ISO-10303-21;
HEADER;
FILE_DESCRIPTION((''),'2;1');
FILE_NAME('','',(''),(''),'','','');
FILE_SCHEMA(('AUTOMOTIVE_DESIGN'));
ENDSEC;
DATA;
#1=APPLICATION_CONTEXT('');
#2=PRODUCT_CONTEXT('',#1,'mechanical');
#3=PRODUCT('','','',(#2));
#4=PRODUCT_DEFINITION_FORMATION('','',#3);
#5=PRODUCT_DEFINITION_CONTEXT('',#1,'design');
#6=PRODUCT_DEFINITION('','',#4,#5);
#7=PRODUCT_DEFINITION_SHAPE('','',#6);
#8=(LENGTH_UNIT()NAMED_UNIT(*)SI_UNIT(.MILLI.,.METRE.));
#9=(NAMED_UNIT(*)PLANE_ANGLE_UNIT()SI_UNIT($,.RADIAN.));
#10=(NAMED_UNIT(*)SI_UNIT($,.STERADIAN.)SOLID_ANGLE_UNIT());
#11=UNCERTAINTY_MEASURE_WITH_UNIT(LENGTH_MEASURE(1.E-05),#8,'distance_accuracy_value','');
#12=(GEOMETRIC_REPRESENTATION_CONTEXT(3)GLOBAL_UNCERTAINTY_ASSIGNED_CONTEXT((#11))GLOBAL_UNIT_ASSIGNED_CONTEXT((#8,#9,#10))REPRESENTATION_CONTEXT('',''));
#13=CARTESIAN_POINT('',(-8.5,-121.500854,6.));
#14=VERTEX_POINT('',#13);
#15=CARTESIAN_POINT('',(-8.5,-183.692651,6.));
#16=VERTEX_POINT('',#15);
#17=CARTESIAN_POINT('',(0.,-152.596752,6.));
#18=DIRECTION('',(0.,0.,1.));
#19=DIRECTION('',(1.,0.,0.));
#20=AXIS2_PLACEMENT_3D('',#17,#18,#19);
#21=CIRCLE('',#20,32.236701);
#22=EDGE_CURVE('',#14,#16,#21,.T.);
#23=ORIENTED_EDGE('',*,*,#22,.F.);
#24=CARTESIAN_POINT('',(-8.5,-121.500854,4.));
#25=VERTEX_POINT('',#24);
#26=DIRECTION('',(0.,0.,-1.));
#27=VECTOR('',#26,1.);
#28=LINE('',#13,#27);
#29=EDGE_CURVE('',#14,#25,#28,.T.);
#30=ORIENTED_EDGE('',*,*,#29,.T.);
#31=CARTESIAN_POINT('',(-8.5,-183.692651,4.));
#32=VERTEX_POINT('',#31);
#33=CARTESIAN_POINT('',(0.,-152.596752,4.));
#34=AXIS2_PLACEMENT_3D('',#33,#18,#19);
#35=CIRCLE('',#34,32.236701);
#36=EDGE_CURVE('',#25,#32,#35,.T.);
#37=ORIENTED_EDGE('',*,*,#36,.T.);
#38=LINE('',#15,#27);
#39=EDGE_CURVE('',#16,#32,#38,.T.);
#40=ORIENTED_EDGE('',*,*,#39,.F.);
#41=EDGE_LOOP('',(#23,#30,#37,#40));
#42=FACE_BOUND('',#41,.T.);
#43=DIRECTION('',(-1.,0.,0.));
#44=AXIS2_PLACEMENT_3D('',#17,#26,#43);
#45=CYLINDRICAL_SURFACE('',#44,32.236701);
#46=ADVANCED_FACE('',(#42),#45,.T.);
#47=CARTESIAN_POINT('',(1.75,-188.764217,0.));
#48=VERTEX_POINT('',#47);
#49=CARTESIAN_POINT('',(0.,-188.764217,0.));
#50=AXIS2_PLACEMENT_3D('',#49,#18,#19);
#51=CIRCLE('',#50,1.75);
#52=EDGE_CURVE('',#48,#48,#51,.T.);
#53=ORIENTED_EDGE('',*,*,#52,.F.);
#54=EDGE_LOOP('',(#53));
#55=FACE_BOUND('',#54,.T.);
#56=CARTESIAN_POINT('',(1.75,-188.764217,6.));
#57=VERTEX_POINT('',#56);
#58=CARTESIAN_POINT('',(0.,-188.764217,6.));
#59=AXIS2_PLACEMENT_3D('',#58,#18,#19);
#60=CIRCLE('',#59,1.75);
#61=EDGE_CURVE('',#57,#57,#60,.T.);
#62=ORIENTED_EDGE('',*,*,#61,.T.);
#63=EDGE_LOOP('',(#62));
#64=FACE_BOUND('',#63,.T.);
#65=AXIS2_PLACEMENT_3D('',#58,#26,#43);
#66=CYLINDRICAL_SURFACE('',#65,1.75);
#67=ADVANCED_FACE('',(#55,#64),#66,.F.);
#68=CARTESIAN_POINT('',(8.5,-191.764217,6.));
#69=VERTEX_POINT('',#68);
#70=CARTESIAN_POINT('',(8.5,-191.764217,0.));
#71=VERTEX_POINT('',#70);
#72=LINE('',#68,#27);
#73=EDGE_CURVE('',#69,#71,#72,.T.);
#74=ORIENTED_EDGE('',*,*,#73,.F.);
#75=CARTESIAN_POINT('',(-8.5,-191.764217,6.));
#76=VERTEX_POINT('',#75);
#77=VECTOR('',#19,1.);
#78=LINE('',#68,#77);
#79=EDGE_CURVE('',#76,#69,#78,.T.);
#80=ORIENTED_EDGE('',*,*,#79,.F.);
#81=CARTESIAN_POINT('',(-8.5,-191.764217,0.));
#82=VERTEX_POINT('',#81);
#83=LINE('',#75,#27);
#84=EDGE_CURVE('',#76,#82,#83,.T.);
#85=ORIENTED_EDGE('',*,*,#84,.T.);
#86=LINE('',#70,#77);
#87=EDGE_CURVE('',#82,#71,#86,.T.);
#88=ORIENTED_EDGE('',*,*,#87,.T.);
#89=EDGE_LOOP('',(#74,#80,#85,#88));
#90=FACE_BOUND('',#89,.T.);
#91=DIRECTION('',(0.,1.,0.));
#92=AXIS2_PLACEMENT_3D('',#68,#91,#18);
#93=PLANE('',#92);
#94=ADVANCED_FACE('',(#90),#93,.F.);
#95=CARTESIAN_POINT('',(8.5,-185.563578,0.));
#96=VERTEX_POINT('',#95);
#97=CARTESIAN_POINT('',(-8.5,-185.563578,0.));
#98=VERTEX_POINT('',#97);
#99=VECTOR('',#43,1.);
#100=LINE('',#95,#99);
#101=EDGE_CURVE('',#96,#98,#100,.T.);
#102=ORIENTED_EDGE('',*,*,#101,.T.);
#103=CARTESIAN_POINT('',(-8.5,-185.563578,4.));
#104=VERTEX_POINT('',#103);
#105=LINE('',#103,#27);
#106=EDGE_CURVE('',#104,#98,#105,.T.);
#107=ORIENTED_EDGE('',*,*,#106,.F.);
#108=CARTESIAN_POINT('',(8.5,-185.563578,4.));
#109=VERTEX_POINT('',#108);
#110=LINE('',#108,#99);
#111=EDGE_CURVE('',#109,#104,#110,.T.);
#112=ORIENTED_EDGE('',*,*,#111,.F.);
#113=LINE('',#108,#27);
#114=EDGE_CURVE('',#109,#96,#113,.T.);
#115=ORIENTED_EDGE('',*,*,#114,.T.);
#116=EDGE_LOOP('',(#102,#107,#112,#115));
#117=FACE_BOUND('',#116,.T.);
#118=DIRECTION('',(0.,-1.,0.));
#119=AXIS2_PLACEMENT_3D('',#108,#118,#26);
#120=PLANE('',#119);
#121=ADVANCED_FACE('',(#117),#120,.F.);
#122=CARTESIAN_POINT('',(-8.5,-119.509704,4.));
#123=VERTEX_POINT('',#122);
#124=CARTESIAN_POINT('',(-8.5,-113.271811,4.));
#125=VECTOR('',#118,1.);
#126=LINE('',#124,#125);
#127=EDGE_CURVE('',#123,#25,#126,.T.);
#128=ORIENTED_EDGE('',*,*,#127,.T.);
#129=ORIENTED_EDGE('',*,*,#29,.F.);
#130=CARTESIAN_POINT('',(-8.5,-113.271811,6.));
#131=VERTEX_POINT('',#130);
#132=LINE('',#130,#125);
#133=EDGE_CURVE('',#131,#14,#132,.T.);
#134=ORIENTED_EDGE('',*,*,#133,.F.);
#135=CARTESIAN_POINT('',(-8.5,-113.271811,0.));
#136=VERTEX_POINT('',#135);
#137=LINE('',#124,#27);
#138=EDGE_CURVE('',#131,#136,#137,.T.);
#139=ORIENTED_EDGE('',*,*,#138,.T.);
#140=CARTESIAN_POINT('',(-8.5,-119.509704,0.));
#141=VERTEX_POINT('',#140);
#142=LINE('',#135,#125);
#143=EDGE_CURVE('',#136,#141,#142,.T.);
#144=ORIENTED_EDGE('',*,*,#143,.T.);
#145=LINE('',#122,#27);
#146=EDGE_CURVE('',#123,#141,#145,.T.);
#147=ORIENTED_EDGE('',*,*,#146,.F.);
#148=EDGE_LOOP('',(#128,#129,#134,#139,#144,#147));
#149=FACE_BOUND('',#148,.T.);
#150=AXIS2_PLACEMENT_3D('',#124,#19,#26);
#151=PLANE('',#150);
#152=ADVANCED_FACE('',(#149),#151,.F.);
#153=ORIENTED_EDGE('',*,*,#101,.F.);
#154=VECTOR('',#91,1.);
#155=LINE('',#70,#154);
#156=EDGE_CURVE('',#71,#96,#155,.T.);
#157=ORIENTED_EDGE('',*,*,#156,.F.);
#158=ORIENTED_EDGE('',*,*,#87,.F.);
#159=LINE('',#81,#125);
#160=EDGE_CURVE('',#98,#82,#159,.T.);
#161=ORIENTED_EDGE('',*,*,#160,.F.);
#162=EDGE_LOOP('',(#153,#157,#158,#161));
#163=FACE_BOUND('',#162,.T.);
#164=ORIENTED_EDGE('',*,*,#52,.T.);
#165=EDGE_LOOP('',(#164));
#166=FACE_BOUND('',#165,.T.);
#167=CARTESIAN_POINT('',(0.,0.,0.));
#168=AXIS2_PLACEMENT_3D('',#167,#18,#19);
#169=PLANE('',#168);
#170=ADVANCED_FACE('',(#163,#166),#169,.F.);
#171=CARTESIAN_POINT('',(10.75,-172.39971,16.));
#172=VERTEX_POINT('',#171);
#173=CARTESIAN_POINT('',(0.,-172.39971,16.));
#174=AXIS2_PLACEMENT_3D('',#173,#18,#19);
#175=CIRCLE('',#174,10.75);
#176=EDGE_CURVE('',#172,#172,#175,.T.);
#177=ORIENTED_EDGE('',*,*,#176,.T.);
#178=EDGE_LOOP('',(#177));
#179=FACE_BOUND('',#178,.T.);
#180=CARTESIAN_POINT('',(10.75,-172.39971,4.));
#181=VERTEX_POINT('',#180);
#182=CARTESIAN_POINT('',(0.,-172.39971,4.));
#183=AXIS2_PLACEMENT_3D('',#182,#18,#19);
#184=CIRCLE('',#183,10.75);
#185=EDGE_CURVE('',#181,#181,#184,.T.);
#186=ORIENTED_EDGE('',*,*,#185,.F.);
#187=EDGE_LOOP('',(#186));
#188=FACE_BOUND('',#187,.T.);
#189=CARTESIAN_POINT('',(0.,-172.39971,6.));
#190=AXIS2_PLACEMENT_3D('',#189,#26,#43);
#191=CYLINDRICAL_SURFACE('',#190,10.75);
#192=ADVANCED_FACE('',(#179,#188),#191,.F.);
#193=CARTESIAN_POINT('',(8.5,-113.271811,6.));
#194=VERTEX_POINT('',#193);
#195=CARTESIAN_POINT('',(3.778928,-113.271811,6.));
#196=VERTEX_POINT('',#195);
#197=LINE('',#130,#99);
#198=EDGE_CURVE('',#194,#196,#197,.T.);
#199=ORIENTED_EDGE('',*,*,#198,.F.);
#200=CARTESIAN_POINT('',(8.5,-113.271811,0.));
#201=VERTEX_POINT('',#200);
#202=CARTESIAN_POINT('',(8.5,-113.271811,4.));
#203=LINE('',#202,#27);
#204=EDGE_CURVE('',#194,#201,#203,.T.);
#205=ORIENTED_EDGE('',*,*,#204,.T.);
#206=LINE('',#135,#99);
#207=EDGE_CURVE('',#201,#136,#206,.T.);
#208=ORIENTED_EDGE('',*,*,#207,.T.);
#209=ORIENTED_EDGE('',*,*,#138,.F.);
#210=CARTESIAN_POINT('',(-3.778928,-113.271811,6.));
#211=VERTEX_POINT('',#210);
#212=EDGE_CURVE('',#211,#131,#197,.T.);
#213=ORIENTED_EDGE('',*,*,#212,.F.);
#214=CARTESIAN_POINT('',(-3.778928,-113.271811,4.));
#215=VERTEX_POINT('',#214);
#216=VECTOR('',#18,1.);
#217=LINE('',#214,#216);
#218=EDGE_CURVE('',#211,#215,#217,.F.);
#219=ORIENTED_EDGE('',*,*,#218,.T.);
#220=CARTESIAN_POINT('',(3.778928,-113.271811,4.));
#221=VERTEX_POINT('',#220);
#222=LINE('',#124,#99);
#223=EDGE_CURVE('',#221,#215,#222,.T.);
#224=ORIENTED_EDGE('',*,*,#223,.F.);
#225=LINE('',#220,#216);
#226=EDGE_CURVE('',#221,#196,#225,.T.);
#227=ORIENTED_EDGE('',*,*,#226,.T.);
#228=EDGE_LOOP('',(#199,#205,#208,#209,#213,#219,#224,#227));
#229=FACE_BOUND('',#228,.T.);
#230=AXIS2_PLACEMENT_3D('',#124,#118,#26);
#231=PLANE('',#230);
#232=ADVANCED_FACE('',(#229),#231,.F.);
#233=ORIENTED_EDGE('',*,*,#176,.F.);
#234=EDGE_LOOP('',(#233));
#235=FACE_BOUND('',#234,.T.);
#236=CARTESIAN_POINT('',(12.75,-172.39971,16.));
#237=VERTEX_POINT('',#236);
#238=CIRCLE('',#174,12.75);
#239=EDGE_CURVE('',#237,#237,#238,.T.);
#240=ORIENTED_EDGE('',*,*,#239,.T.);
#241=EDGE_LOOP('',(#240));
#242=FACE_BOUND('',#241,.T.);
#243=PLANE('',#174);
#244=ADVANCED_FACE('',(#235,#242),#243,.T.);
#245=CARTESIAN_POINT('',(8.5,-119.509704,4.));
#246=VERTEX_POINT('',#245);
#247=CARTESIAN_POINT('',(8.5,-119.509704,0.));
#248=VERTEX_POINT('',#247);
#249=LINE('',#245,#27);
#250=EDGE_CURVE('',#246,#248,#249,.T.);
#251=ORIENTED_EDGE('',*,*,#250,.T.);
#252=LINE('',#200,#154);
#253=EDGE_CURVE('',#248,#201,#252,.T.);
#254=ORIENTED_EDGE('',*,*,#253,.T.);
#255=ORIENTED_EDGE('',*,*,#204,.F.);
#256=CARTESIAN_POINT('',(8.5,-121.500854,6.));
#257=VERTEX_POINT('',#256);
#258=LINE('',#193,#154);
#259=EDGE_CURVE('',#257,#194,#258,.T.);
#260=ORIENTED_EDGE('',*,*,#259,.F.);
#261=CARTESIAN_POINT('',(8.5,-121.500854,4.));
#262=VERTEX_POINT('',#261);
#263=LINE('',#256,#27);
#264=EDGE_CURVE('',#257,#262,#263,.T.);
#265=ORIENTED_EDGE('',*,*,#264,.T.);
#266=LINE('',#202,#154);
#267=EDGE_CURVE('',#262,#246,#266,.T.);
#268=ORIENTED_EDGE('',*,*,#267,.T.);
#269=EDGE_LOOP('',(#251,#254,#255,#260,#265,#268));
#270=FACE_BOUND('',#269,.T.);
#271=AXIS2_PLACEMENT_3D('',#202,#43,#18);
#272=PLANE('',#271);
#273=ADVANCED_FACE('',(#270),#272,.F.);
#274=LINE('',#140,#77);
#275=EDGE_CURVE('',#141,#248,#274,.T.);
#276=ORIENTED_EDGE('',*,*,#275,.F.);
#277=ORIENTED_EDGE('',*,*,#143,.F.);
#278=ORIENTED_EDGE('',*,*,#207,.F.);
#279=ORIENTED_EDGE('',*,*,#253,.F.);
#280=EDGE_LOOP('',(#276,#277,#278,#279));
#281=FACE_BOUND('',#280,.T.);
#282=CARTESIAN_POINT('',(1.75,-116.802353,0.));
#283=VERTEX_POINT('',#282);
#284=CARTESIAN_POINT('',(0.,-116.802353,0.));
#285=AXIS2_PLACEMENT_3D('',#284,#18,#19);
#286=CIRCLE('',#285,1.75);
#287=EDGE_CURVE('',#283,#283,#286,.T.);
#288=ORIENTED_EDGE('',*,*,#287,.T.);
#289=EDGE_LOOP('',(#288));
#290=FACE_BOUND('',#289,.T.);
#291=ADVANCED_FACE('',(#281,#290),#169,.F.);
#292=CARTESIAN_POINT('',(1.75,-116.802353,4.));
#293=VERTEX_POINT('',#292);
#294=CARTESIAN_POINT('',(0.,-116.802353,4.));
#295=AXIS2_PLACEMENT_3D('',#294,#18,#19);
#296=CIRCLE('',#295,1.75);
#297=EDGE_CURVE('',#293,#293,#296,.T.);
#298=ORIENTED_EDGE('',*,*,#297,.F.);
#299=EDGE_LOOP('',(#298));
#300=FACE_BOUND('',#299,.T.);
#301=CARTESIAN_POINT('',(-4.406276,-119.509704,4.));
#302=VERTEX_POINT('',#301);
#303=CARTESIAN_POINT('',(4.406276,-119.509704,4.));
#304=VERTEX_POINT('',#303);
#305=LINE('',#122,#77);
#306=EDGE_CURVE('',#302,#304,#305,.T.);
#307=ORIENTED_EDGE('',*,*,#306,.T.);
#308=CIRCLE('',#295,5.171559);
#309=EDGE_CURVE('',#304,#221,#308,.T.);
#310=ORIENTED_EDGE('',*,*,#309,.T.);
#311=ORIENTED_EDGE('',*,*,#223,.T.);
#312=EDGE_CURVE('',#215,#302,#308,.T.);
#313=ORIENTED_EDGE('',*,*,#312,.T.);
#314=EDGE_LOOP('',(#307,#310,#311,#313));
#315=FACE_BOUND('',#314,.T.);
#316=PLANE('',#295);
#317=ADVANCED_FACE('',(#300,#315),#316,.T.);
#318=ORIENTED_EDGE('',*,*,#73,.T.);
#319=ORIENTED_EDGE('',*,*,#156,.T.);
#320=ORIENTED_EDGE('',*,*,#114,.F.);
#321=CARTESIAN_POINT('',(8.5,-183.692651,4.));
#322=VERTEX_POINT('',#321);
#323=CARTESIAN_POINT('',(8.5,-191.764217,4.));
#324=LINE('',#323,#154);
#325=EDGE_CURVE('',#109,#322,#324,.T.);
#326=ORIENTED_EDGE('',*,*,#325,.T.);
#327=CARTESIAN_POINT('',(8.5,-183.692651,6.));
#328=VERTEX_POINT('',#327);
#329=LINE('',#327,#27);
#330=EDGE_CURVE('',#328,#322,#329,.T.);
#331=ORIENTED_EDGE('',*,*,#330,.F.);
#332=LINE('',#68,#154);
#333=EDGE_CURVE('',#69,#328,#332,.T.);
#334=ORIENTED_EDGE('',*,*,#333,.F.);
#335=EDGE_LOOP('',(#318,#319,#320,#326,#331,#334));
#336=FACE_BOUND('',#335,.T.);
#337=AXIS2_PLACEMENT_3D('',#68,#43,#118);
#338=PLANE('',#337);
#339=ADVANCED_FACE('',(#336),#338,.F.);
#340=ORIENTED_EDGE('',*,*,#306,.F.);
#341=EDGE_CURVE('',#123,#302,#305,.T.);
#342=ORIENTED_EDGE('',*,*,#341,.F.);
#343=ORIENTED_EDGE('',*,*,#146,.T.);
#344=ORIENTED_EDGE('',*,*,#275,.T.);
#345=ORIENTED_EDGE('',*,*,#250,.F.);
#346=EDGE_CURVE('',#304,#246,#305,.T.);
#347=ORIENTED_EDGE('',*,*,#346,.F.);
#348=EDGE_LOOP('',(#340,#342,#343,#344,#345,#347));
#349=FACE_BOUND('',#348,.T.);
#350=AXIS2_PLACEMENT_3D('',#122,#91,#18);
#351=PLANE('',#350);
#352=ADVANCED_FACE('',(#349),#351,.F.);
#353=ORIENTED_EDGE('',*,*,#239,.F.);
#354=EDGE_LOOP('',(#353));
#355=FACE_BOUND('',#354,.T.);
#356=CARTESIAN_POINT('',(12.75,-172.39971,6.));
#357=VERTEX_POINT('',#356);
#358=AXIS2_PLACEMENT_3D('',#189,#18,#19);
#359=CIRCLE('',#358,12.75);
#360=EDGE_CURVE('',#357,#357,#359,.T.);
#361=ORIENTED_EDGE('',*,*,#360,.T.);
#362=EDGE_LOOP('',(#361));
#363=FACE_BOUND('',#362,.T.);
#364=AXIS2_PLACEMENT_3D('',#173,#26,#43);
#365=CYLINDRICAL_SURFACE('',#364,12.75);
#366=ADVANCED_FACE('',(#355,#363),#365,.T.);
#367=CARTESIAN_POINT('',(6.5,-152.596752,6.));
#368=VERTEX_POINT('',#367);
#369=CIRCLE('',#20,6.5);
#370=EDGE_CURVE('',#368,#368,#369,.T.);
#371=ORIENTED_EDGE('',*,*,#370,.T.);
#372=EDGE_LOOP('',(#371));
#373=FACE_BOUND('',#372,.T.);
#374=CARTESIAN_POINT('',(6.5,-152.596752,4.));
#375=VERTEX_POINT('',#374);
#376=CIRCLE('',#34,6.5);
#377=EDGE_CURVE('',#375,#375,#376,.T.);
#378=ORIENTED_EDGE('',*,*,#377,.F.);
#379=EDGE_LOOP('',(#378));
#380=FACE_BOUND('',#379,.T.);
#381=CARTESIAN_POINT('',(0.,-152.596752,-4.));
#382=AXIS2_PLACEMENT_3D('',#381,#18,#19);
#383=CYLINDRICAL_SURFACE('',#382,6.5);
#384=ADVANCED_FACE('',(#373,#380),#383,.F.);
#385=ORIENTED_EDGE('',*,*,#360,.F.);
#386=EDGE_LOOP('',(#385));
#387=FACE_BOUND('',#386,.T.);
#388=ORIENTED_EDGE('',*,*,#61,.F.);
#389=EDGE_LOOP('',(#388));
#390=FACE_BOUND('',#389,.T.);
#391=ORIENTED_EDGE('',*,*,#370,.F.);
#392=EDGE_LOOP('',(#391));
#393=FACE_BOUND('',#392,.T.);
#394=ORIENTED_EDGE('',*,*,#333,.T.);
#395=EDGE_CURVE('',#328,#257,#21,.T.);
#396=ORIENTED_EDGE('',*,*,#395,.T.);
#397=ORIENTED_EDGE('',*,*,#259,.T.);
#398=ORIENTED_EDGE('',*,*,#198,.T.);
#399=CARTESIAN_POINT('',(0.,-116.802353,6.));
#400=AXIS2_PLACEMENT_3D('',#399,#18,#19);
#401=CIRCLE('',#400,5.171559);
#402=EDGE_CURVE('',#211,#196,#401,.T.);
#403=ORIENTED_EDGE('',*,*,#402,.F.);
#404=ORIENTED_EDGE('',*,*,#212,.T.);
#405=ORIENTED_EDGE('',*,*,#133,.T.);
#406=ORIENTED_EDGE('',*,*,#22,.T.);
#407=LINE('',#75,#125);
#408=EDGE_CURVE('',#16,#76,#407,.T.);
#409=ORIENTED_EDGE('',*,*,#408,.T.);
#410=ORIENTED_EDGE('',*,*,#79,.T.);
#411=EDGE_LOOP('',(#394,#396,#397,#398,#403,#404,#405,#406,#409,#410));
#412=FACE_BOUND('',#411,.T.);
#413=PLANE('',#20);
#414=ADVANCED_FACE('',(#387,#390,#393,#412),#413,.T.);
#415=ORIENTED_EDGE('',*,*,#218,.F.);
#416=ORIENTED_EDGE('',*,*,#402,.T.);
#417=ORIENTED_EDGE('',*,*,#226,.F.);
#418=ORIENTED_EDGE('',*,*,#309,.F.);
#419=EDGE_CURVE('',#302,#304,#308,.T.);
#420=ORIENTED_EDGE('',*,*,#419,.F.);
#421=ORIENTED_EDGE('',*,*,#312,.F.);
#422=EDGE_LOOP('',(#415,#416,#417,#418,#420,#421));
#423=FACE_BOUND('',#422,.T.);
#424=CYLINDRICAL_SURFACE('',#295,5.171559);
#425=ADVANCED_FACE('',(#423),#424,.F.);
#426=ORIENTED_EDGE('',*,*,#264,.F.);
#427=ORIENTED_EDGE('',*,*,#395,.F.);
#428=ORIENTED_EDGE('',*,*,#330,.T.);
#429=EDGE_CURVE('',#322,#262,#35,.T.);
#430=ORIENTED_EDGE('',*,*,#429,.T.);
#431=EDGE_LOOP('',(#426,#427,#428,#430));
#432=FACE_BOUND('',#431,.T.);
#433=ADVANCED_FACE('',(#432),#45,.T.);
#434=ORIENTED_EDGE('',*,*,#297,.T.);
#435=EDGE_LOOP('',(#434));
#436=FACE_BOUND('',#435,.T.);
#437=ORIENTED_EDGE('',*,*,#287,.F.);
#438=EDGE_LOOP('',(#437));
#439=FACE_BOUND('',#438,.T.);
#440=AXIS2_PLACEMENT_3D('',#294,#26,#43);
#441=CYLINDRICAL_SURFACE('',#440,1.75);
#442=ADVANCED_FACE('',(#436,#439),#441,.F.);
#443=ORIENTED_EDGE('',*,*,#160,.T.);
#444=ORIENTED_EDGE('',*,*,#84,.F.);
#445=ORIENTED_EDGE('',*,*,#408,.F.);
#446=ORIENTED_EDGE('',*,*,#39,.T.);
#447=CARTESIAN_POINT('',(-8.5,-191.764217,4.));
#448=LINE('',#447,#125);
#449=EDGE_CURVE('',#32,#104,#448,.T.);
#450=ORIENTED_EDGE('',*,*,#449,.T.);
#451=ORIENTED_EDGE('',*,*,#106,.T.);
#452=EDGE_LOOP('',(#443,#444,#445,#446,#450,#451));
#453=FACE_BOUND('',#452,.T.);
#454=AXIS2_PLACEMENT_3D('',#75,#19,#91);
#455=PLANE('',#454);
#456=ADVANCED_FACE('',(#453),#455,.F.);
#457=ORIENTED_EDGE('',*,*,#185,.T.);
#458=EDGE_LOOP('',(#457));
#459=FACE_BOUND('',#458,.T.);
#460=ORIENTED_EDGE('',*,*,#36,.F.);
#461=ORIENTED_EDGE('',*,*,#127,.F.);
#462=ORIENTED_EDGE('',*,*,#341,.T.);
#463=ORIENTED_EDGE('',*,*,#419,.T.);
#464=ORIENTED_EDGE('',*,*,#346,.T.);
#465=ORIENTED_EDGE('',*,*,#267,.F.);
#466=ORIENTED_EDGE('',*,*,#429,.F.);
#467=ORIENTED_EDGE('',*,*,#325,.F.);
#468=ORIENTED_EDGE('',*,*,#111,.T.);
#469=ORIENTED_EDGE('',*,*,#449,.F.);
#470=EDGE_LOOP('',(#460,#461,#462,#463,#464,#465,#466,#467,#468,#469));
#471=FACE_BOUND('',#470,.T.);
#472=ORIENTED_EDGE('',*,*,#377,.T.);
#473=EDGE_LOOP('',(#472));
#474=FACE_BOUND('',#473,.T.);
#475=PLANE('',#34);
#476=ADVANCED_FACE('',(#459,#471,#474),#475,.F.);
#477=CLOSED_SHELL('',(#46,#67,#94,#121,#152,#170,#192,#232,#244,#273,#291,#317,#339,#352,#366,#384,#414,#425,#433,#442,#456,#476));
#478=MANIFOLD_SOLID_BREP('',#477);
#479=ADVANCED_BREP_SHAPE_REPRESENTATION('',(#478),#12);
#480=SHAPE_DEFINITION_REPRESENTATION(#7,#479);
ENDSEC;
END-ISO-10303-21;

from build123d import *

# Parameters (mm, degrees)
SKETCH_1_W          = 17
SKETCH_1_H          = 6.237893195
SKETCH_1_R          = 1.75
EXTRUDE_1_DEPTH     = 4
SKETCH_1_H_2        = 6.200638702
EXTRUDE_1_2_DEPTH   = 4
SKETCH_3_R          = 10.75
SKETCH_3_R_2        = 1.75
EXTRUDE_3_DEPTH     = 2
SKETCH_4_R          = 6.5
CUT_EXTRUDE_1_DEPTH = 10
SKETCH_5_R          = 12.75
SKETCH_5_R_2        = 10.75
EXTRUDE_1_3_DEPTH   = 10
SKETCH_6_R          = 5.171558732
CUT_EXTRUDE_2_DEPTH = 2


with BuildPart() as part:
    # 草图1 → Extrude 1 (new body)
    with BuildSketch(Plane.XY):
        with Locations((0, -116.390757476)):
            Rectangle(SKETCH_1_W, SKETCH_1_H)
        with Locations((0, -116.802352716)):
            Circle(SKETCH_1_R, mode=Mode.SUBTRACT)
    extrude(amount=EXTRUDE_1_DEPTH)



with BuildPart() as body_2:
    # 草图1 → Extrude 1 2 (new body)
    with BuildSketch(Plane.XY):
        with Locations((0, -188.663897323)):
            Rectangle(SKETCH_1_W, SKETCH_1_H_2)
        with Locations((0, -188.764216674)):
            Circle(SKETCH_1_R, mode=Mode.SUBTRACT)
    extrude(amount=EXTRUDE_1_2_DEPTH)


with BuildPart() as part_1:
    add(part.part)

    add(body_2.part)  # 凸台-拉伸3 merges body 2
    # 草图3 → 凸台-拉伸3 (add)
    with BuildSketch(Plane.XY.offset(4)):
        with BuildLine():
            Line((-8.5, -113.271810879), (8.5, -113.271810879))
            Line((8.5, -113.271810879), (8.5, -121.50085412))
            ThreePointArc((8.5, -121.50085412), (32.236701024, -152.596752449), (8.5, -183.692650779))
            Line((8.5, -183.692650779), (8.5, -191.764216674))
            Line((8.5, -191.764216674), (-8.5, -191.764216674))
            Line((-8.5, -191.764216674), (-8.5, -183.692650779))
            ThreePointArc((-8.5, -183.692650779), (-32.236701024, -152.596752449), (-8.5, -121.50085412))
            Line((-8.5, -121.50085412), (-8.5, -113.271810879))
        make_face()
        with Locations((0, -172.399709936)):
            Circle(SKETCH_3_R, mode=Mode.SUBTRACT)
        with Locations((0, -188.764216674)):
            Circle(SKETCH_3_R_2, mode=Mode.SUBTRACT)
        with Locations((0, -116.802352716)):
            Circle(SKETCH_3_R_2, mode=Mode.SUBTRACT)
    extrude(amount=EXTRUDE_3_DEPTH)

    # 草图4 → 切除-拉伸1 (cut)
    with BuildSketch(Plane.XY.offset(6)):
        with Locations((0, -152.596752449)):
            Circle(SKETCH_4_R)
    extrude(amount=-CUT_EXTRUDE_1_DEPTH, mode=Mode.SUBTRACT)

    # 草图5 → Extrude 1 3 (add)
    with BuildSketch(Plane.XY.offset(6)):
        with Locations((0, -172.399709936)):
            Circle(SKETCH_5_R)
        with Locations((0, -172.399709936)):
            Circle(SKETCH_5_R_2, mode=Mode.SUBTRACT)
    extrude(amount=EXTRUDE_1_3_DEPTH)

    # 草图6 → 切除-拉伸2 (cut)
    with BuildSketch(Plane.XY.offset(6)):
        with Locations((0, -116.802352716)):
            Circle(SKETCH_6_R)
    extrude(amount=-CUT_EXTRUDE_2_DEPTH, mode=Mode.SUBTRACT)


solid = part_1.part
